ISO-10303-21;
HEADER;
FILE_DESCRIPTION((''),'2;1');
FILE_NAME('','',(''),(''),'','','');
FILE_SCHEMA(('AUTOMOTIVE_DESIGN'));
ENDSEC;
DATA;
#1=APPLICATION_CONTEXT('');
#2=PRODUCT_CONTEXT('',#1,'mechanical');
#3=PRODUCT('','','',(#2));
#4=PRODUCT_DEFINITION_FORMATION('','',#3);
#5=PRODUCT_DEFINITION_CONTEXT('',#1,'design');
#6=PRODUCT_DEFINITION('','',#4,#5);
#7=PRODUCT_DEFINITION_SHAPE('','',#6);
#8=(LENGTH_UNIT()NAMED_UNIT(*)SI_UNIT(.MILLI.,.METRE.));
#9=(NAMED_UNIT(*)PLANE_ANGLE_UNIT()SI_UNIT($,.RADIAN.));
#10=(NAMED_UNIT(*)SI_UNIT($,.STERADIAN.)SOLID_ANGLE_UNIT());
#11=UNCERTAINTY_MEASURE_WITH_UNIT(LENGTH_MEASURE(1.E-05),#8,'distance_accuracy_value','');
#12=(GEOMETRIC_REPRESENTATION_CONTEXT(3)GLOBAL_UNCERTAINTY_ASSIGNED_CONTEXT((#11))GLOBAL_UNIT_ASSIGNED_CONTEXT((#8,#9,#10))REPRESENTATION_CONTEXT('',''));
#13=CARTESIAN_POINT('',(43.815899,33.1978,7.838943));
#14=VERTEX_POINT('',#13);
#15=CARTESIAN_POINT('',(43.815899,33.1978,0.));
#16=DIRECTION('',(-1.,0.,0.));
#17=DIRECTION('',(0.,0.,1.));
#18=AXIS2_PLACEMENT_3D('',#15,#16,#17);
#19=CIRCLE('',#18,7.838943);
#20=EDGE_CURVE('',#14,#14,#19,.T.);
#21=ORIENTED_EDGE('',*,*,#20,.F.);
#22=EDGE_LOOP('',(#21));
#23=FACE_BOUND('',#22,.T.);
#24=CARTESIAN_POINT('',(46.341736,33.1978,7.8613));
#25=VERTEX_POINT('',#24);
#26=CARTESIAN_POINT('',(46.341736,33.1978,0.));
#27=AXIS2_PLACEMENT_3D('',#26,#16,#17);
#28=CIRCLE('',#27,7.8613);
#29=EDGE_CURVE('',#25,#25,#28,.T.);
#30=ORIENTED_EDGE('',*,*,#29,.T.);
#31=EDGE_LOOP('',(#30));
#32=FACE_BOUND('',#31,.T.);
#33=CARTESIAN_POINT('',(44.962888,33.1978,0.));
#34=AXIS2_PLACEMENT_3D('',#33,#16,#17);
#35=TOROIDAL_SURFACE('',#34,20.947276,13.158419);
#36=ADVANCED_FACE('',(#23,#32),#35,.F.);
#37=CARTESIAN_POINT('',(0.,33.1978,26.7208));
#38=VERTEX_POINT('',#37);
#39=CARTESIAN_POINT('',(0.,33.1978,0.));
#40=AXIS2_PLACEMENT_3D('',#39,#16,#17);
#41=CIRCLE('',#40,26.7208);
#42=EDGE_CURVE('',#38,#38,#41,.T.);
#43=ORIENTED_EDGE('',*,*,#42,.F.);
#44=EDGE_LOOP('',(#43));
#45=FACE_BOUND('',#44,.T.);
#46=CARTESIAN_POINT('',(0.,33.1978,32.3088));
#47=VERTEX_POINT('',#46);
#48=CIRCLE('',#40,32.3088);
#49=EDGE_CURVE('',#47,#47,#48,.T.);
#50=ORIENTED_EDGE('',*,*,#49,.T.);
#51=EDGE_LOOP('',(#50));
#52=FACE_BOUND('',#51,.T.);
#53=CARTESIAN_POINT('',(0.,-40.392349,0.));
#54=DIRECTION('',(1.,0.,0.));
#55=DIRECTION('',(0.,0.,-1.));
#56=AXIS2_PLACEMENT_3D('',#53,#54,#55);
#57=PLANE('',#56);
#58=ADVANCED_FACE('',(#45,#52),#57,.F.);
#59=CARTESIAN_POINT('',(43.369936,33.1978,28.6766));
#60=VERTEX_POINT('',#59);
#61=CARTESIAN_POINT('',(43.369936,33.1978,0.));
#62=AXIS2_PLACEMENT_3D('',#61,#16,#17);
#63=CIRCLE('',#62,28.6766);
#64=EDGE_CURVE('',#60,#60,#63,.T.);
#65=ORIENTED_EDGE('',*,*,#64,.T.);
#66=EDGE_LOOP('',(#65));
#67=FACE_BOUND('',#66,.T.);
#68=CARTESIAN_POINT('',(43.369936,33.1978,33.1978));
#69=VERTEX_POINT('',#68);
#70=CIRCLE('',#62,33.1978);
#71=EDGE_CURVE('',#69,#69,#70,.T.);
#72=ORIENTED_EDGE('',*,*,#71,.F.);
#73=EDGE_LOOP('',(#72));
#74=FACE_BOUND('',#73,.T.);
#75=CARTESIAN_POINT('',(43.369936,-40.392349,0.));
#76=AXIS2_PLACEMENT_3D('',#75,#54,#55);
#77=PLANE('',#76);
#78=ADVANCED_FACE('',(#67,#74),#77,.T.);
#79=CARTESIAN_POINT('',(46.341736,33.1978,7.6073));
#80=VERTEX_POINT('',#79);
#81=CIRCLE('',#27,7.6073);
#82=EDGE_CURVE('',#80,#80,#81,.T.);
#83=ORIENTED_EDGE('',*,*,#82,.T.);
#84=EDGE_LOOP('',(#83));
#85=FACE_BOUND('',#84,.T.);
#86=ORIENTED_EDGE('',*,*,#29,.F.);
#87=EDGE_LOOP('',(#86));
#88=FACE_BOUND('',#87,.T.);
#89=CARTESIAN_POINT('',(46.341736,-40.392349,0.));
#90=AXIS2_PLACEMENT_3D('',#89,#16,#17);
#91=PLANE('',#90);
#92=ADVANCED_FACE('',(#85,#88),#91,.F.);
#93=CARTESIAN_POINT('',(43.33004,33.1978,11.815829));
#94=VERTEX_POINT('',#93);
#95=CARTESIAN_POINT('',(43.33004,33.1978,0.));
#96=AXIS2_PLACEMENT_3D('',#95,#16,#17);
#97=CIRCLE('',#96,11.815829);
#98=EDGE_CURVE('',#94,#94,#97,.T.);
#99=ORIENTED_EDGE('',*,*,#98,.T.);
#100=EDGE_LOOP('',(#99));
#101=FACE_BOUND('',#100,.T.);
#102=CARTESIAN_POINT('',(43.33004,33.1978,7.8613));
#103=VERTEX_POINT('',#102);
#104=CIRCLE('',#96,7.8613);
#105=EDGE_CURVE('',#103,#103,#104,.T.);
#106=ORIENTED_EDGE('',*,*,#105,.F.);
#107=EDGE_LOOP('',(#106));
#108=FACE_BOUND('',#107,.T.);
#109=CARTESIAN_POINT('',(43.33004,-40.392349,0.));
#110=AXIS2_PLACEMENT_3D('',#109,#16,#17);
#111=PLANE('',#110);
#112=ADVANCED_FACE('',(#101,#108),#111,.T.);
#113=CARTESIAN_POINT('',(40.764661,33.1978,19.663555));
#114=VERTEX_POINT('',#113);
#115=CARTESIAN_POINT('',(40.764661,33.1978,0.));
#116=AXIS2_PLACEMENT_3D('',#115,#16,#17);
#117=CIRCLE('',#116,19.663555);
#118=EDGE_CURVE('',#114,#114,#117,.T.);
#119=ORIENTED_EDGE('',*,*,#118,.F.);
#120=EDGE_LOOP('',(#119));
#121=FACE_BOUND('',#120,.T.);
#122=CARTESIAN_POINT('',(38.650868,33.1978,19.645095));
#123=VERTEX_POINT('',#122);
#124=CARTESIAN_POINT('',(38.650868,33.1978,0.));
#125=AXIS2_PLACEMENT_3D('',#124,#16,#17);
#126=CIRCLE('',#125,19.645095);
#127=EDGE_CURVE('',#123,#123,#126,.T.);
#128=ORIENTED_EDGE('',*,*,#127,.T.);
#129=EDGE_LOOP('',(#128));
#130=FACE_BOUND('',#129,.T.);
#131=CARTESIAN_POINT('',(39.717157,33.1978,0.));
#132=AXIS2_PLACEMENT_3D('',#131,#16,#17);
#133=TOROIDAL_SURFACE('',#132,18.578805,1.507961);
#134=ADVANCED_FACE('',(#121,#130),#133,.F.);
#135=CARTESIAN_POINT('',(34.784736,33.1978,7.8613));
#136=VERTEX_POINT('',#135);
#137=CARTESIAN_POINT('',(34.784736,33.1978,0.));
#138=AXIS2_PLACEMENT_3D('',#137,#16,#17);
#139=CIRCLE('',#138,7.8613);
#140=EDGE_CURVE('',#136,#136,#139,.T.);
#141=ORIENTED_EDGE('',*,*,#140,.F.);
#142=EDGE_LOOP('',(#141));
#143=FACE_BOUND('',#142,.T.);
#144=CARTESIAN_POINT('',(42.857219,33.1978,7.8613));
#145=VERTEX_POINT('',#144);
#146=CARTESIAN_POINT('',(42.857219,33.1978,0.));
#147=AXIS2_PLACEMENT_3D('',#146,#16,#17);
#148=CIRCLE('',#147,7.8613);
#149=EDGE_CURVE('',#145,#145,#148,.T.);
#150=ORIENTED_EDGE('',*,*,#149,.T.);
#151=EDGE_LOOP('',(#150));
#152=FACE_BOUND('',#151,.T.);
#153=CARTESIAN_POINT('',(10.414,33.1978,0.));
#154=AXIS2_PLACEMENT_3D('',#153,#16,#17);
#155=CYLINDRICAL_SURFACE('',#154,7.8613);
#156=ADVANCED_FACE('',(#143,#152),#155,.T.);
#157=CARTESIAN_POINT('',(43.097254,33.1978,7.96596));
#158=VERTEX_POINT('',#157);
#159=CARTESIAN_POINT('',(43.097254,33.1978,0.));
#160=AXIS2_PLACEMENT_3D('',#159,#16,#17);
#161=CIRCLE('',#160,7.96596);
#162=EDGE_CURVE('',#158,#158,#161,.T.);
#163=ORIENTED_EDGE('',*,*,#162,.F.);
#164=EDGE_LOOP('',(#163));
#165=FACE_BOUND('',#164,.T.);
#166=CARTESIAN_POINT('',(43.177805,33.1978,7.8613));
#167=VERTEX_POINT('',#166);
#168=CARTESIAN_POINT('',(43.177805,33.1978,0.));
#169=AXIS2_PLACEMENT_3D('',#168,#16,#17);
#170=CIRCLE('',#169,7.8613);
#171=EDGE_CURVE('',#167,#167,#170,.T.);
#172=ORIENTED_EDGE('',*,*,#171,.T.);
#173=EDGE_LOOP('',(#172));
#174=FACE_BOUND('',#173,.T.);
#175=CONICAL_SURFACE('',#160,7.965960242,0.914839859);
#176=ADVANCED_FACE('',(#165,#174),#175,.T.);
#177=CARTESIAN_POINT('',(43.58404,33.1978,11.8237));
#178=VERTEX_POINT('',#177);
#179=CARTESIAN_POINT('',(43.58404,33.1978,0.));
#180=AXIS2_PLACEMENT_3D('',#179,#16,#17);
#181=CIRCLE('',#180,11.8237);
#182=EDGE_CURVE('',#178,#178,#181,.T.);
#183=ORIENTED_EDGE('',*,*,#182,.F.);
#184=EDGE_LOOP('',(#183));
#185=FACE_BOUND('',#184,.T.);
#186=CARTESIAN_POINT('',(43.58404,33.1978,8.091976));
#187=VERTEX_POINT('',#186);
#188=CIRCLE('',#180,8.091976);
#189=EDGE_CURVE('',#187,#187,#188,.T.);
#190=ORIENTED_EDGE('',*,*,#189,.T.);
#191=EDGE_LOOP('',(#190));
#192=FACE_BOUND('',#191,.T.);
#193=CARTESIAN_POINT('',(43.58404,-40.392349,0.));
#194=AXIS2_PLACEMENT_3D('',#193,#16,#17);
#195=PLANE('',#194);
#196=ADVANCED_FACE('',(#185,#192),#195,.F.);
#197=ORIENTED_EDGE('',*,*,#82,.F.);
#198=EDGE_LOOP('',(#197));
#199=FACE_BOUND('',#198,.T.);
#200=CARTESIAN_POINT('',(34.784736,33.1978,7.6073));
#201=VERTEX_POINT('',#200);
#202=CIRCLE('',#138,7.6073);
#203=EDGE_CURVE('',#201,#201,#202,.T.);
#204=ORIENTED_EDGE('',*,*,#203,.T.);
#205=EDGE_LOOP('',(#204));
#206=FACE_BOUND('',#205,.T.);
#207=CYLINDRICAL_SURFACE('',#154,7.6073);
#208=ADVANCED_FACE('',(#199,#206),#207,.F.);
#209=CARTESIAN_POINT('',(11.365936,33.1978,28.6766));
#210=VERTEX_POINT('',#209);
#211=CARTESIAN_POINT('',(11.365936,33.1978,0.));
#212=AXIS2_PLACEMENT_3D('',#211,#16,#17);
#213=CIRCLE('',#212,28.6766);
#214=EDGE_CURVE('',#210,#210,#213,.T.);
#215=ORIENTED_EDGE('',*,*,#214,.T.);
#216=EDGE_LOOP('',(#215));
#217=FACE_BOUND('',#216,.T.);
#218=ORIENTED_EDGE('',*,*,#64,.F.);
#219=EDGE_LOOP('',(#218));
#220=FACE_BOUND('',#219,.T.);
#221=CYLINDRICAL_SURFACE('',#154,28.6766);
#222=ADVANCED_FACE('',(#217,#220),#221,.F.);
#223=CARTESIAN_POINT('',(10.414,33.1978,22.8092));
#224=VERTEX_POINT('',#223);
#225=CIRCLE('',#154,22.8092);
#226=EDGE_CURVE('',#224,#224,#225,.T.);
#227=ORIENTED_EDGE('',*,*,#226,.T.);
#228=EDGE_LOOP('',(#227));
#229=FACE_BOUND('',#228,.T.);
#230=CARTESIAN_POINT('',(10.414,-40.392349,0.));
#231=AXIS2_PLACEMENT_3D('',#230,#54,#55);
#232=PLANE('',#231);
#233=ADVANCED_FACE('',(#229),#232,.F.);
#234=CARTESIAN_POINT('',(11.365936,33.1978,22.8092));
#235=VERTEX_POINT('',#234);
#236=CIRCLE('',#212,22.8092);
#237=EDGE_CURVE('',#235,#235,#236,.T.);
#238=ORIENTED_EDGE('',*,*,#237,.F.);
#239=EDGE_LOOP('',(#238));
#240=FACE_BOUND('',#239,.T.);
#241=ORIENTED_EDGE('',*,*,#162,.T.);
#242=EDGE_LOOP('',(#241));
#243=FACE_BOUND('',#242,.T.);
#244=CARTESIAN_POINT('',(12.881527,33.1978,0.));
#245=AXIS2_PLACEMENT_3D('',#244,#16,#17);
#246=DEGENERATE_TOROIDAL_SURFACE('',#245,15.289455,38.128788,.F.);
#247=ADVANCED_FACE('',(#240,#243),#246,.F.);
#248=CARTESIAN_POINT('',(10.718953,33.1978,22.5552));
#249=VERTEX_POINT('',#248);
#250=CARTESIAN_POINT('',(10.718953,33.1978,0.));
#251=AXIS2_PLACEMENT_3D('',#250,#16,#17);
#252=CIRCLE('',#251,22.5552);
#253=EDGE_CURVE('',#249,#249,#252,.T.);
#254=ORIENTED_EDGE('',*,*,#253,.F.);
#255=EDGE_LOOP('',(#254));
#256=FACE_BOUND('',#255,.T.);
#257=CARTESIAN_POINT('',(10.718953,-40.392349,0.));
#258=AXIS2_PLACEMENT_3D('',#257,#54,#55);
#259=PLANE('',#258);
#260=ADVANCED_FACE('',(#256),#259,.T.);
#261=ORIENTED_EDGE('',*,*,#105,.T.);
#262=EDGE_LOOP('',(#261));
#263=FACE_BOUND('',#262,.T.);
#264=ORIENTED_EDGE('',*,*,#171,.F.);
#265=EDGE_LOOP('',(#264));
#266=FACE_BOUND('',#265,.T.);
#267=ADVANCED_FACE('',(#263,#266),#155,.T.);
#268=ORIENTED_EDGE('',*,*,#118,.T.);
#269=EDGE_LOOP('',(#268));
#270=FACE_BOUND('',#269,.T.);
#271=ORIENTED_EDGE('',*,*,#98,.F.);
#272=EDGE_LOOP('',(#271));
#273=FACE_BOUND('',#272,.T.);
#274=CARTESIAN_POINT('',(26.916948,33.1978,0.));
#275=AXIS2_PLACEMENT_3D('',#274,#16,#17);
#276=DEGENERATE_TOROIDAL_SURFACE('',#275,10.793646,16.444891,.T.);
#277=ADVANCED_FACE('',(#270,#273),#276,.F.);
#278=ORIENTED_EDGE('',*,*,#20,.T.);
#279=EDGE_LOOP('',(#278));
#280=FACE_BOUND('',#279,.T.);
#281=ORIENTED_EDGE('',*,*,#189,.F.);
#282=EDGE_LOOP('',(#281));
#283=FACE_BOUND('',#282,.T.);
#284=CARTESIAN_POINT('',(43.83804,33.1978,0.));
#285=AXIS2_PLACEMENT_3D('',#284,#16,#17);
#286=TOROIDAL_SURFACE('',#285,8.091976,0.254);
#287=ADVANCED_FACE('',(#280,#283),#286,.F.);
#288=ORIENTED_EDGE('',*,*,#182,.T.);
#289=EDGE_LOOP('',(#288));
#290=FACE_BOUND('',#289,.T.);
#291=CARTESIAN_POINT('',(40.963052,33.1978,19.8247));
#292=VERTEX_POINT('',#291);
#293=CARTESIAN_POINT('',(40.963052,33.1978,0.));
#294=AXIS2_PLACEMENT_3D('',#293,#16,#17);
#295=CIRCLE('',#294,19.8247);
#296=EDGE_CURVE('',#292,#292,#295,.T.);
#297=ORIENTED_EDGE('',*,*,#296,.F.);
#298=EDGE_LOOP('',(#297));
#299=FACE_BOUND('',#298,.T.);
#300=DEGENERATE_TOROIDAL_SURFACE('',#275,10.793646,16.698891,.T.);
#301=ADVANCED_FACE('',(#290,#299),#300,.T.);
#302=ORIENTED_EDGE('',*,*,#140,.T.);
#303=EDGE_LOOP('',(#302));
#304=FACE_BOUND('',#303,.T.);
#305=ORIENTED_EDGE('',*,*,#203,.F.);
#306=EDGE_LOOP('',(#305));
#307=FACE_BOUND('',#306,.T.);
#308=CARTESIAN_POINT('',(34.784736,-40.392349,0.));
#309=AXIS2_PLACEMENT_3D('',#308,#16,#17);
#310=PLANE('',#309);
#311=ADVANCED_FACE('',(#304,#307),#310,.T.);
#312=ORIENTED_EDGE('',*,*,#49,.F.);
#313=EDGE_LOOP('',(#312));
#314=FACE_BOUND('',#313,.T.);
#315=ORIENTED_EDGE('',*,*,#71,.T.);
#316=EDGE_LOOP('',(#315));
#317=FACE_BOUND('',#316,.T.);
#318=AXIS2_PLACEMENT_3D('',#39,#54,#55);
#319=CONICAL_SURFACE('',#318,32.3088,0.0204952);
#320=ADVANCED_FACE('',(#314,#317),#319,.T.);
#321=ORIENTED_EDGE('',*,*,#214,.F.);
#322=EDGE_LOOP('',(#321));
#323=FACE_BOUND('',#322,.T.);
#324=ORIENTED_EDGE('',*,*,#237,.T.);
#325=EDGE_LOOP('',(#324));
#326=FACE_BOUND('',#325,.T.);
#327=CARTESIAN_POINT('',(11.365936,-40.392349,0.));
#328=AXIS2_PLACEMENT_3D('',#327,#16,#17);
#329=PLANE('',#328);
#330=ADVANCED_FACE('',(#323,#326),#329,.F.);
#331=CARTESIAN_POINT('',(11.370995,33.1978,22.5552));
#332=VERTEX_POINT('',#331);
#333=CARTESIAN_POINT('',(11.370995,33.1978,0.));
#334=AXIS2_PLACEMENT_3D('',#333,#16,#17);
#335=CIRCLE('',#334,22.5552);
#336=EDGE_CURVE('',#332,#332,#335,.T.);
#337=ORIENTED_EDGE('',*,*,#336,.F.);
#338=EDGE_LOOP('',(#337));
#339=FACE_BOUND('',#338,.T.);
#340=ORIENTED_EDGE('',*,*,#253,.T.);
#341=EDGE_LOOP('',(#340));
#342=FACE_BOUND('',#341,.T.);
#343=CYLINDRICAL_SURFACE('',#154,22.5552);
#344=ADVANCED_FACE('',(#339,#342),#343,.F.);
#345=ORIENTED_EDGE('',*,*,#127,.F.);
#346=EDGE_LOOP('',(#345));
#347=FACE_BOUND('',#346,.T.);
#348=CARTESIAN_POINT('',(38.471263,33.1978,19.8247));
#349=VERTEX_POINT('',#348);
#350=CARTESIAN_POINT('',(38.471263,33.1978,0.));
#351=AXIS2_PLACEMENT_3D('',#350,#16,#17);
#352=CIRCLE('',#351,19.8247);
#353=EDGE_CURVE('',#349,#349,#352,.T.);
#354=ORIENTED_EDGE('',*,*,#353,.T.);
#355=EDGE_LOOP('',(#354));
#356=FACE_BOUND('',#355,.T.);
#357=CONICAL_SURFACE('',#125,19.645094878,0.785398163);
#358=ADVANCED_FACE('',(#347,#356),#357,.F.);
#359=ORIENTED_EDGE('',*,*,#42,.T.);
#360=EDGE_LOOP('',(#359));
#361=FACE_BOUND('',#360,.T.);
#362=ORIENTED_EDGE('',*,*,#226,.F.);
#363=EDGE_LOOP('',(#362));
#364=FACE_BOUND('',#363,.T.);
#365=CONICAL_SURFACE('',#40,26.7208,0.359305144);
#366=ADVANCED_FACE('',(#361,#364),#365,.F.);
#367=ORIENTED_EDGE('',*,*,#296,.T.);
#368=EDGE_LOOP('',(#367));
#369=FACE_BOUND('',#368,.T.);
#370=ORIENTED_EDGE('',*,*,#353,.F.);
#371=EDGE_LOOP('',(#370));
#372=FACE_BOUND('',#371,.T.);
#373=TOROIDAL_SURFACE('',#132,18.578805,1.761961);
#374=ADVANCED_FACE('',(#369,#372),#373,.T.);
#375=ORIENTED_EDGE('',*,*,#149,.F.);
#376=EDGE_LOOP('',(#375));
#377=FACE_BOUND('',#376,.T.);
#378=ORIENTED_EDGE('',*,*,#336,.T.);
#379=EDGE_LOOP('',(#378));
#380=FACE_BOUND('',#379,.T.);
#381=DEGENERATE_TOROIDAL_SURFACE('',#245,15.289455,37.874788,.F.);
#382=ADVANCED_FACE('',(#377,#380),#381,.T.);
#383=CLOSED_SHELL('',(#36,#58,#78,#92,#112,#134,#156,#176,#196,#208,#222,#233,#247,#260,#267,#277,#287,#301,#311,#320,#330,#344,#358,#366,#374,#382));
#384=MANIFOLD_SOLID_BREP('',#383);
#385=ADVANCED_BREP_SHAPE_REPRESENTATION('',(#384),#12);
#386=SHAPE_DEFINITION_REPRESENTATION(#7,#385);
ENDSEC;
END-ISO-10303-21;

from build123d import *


with BuildPart() as part:
    # Sketch1 → Revolve14 (revolve)
    with BuildSketch(Plane.XY, mode=Mode.PRIVATE) as revolve14_sk:
        with BuildLine():
            ThreePointArc((38.650867659, 13.552705122), (39.703988191, 13.111091095), (40.764660937, 13.534244884))
            ThreePointArc((40.764660937, 13.534244884), (42.547871865, 17.29449042), (43.330039933, 21.381971408))
            Line((43.330039933, 21.381971408), (43.330039933, 25.3365))
            Line((43.330039933, 25.3365), (43.17780534, 25.3365))
            Line((43.17780534, 25.3365), (43.097253999, 25.231839758))
            ThreePointArc((43.097253999, 25.231839758), (29.037172994, 13.950323802), (11.365936374, 10.3886))
            Line((11.365936374, 10.3886), (11.365936374, 4.5212))
            Line((11.365936374, 4.5212), (43.369936374, 4.5212))
            Line((43.369936374, 4.5212), (43.369936374, 0))
            Line((43.369936374, 0), (0, 0.889))
            Line((0, 0.889), (0, 6.477))
            Line((0, 6.477), (10.414, 10.3886))
            Line((10.414, 10.3886), (10.414, 33.1978))
            Line((10.414, 33.1978), (10.718952979, 33.1978))
            Line((10.718952979, 33.1978), (10.718952979, 10.6426))
            Line((10.718952979, 10.6426), (11.370994965, 10.6426))
            ThreePointArc((11.370994965, 10.6426), (28.898518318, 14.165897296), (42.857219331, 25.3365))
            Line((42.857219331, 25.3365), (34.784736374, 25.3365))
            Line((34.784736374, 25.3365), (34.784736374, 25.5905))
            Line((34.784736374, 25.5905), (46.341736374, 25.5905))
            Line((46.341736374, 25.5905), (46.341736374, 25.3365))
            ThreePointArc((46.341736374, 25.3365), (45.079355578, 25.408427544), (43.815899343, 25.358857493))
            ThreePointArc((43.815899343, 25.358857493), (43.650770462, 25.277423096), (43.584039933, 25.105824305))
            Line((43.584039933, 25.105824305), (43.584039933, 21.3741))
            ThreePointArc((43.584039933, 21.3741), (42.78607195, 17.205705338), (40.963051574, 13.3731))
            ThreePointArc((40.963051574, 13.3731), (39.717157055, 12.857033593), (38.471262536, 13.3731))
            Line((38.471262536, 13.3731), (38.650867659, 13.552705122))
        make_face()
    revolve(revolve14_sk.sketch.rotate(Axis((10.414, 33.1978, 0), (1, 0, 0)), 270), axis=Axis((10.414, 33.1978, 0), (1, 0, 0)))


solid = part.part
